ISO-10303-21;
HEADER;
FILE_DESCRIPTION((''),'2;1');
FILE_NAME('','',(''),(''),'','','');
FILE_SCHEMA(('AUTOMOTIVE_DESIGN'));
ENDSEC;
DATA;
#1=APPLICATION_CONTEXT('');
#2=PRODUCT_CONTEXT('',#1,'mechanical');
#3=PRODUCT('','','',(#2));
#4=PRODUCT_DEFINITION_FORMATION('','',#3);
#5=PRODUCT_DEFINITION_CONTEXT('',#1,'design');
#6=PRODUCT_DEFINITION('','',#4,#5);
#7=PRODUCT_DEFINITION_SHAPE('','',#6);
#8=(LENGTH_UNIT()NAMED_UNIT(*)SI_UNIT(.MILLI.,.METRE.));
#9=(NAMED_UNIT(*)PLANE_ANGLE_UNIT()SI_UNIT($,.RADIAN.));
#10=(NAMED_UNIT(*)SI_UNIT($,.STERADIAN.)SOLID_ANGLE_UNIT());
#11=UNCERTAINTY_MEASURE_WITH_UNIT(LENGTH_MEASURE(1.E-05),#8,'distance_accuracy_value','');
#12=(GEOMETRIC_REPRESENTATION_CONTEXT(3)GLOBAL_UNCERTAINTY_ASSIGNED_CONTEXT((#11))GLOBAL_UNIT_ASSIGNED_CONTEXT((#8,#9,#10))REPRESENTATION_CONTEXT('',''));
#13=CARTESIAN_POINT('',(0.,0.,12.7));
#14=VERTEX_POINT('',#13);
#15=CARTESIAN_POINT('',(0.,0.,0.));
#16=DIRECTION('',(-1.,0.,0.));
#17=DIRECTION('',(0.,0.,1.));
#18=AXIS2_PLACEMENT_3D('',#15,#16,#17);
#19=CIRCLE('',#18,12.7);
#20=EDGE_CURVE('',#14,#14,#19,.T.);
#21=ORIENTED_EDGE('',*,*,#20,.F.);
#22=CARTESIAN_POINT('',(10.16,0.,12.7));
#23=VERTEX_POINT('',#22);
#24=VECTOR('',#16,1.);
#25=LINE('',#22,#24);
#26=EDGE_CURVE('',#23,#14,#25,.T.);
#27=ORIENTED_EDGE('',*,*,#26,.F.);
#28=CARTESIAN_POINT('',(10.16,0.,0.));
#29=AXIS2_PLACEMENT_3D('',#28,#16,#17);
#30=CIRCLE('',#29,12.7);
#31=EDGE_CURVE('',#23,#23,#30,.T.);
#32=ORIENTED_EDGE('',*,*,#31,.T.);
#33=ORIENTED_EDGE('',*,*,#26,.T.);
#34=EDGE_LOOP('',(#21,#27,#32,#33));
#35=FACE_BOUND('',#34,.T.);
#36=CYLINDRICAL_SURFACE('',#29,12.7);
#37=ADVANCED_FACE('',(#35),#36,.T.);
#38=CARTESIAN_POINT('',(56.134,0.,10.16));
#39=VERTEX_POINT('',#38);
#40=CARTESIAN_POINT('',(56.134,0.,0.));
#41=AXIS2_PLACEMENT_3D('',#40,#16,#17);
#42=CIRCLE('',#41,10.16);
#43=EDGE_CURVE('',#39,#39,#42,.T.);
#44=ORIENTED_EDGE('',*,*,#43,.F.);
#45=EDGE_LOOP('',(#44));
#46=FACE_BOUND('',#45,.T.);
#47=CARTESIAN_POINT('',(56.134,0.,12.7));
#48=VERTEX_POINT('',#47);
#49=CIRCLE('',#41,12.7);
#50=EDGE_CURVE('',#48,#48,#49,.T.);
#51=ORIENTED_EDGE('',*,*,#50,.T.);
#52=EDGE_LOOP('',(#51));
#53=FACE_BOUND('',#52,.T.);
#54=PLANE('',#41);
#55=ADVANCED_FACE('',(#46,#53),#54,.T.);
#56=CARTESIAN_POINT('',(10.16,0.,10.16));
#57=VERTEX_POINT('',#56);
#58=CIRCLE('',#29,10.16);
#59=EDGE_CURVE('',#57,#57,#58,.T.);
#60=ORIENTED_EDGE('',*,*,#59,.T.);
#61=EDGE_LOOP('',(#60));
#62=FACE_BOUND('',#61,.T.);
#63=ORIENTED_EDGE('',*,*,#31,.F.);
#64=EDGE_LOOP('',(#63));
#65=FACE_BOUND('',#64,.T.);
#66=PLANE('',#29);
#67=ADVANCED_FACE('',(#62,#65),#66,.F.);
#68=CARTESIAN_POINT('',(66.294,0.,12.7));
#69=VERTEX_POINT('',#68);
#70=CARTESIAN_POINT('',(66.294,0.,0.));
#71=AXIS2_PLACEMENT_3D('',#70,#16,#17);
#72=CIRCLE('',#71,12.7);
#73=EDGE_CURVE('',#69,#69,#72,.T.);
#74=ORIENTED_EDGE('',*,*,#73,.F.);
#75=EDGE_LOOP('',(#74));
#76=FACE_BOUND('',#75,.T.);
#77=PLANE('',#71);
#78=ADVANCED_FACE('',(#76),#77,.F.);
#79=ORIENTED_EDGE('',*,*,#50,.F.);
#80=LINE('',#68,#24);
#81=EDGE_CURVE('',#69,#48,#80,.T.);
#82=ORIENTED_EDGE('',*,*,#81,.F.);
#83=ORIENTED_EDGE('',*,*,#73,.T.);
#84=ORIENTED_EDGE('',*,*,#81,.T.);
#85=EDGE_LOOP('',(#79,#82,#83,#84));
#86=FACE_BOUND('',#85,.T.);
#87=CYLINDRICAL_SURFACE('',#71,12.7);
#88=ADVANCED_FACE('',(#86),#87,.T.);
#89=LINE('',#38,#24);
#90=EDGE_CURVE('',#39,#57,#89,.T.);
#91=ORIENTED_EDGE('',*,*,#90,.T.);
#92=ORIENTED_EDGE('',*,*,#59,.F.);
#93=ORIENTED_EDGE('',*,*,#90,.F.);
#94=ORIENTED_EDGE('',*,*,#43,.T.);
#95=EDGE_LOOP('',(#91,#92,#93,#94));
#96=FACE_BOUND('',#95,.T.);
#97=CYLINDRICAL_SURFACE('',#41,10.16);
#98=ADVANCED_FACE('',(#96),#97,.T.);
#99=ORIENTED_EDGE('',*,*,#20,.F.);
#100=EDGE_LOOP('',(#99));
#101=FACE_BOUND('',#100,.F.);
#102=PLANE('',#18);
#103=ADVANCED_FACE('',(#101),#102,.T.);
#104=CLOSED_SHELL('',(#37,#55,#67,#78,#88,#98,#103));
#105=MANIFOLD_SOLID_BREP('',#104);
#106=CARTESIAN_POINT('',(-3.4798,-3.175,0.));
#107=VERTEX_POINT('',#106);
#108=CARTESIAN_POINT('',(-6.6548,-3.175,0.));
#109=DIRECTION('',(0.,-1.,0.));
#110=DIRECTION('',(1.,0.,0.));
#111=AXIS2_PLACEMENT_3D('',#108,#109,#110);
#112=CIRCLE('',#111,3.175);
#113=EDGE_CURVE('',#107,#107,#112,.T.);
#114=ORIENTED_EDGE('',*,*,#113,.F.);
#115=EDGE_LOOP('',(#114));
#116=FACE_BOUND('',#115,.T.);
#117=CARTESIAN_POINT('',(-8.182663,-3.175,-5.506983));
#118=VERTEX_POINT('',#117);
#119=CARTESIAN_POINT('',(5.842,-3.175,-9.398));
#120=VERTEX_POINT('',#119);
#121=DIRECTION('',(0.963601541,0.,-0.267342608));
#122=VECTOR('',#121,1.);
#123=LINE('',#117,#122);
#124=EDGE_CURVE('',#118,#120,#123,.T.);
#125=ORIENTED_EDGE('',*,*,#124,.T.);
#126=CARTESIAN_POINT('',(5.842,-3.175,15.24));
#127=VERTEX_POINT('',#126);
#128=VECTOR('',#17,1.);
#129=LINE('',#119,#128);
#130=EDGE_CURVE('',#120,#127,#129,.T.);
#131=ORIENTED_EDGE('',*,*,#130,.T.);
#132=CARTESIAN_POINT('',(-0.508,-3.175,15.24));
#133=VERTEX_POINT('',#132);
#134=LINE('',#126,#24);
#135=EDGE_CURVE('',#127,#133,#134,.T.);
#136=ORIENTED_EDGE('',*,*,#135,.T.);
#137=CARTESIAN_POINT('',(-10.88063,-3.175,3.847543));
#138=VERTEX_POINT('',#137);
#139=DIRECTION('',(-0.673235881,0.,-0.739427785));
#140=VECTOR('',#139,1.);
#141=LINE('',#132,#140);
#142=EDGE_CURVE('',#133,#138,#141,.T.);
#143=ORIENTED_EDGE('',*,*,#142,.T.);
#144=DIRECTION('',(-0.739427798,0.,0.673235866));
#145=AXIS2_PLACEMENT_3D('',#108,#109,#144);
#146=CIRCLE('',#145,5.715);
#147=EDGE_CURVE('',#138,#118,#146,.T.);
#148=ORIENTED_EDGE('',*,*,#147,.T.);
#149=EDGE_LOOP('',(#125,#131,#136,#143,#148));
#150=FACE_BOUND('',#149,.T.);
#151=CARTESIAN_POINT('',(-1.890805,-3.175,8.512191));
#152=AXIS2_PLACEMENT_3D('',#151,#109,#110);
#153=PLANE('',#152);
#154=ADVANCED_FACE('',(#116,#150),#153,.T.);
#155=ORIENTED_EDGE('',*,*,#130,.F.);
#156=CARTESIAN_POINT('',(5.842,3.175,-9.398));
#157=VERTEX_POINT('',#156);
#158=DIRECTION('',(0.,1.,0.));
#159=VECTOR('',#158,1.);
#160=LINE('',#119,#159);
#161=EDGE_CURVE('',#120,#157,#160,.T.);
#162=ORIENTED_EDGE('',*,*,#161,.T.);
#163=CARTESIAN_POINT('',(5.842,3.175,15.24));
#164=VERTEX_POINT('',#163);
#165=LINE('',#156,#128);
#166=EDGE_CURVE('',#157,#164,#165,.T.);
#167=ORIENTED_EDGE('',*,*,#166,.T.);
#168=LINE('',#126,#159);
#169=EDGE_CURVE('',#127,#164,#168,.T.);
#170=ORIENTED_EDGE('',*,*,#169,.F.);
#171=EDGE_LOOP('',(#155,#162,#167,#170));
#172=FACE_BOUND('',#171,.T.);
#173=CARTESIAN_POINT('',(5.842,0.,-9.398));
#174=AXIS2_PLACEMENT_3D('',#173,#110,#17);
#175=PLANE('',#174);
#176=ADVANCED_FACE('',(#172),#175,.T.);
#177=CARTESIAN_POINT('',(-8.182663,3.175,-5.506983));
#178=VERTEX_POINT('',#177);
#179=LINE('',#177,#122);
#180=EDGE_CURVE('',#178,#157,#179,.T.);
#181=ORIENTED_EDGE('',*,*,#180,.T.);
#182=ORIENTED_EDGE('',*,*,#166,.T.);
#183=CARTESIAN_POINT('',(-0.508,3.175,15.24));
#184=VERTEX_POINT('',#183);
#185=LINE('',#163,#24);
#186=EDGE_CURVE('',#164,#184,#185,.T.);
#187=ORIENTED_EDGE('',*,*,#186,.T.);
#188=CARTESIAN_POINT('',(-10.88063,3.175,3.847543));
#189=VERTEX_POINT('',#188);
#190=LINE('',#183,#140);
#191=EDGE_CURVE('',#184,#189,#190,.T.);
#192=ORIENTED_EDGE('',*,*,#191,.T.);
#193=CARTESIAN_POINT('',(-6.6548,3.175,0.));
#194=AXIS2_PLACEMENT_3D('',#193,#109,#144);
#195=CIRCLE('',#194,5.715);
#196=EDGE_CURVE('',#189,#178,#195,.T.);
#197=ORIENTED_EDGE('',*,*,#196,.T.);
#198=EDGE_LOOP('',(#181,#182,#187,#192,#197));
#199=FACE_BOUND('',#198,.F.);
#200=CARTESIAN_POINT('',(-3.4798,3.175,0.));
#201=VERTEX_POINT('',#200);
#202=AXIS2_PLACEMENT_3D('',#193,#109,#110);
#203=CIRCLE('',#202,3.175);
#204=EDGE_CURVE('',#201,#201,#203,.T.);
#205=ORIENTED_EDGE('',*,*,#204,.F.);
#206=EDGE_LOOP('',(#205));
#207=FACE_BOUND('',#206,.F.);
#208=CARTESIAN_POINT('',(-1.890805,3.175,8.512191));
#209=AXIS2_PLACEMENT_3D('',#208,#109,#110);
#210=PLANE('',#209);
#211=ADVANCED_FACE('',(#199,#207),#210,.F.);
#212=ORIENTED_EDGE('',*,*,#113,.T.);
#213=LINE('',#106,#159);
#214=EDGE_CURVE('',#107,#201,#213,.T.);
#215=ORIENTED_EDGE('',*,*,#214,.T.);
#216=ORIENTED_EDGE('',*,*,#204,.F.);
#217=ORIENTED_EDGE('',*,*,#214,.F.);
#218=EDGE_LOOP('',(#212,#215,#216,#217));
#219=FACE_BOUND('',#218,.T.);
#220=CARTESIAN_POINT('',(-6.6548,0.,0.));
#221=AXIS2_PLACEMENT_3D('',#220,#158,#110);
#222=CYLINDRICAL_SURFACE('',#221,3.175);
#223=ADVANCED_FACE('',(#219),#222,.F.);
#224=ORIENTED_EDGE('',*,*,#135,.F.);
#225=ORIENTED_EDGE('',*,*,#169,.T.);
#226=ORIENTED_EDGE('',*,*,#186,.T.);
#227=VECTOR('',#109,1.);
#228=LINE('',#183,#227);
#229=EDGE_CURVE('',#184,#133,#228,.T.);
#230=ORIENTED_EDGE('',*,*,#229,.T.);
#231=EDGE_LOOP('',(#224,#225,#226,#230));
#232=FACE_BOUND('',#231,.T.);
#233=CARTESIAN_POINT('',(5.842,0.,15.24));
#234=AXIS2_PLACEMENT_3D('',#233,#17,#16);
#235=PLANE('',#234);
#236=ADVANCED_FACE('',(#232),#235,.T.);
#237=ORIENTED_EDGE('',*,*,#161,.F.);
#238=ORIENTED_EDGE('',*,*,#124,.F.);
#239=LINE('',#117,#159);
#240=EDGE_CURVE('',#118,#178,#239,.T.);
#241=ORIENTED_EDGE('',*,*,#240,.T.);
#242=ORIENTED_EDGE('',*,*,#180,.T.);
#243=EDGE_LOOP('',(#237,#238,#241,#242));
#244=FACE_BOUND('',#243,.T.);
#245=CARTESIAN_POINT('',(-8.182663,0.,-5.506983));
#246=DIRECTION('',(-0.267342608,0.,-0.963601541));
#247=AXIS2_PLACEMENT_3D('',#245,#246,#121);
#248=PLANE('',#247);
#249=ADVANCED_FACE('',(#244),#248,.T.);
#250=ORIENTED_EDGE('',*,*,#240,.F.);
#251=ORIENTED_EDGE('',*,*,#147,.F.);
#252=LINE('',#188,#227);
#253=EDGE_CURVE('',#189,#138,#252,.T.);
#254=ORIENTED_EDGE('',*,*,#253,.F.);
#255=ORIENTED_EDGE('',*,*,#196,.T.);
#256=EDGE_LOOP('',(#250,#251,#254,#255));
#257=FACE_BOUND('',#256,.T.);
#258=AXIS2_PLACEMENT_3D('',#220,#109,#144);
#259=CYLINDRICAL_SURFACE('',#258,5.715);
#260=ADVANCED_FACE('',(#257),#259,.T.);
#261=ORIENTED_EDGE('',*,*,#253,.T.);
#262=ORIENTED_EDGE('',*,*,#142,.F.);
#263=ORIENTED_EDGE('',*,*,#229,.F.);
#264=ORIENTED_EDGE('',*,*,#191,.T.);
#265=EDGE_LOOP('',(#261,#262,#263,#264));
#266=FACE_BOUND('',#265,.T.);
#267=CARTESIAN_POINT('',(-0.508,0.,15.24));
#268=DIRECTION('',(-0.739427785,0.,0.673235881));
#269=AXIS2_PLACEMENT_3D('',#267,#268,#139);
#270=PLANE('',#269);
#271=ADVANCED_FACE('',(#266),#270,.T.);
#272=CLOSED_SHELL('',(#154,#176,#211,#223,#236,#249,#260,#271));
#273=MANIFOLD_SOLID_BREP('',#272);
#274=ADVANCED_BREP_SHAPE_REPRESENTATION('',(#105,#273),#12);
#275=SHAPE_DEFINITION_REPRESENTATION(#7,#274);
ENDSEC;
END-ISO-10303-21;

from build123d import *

# Parameters (mm, degrees)
F0_W     = 5.842
F0_H     = 12.7
F0_R     = 3.175
F2_DEPTH = 3.175


with BuildPart() as f1:
    # F0 (on Front) → F1 (revolve)
    with BuildSketch(Plane.XZ):
        Polygon((5.842, 12.7), (5.842, 0), (66.294, 0), (66.294, 12.7), (56.134, 12.7), (56.134, 10.16), (10.16, 10.16), (10.16, 12.7), align=None)
        with Locations((2.921, 6.35)):
            Rectangle(F0_W, F0_H)
    revolve(axis=Axis((33.147, 0, 0), (-1, 0, 0)))


with BuildPart() as f2:
    # F0 (on Front) → F2 (new body, symmetric)
    with BuildSketch(Plane.XZ):
        with BuildLine():
            Line((-0.9398, 0), (0, 0))
            Line((0, 0), (0, 12.7))
            Line((0, 12.7), (5.842, 12.7))
            Line((5.842, 12.7), (5.842, 15.24))
            Line((5.842, 15.24), (-0.508, 15.24))
            Line((-0.508, 15.24), (-10.88063, 3.847543))
            ThreePointArc((-10.88063, 3.847543), (-4.591961, 5.329721), (-0.9398, 0))
        make_face()
        with Locations((2.921, 6.35)):
            Rectangle(F0_W, F0_H)
        with BuildLine():
            Line((5.842, 0), (0, 0))
            Line((0, 0), (-0.9398, 0))
            ThreePointArc((-0.9398, 0), (-3.195791, -4.549339), (-8.182663, -5.506983))
            Line((-8.182663, -5.506983), (5.842, -9.398))
            Line((5.842, -9.398), (5.842, 0))
        make_face()
        with BuildLine():
            ThreePointArc((-8.182663, -5.506983), (-3.195791, -4.549339), (-0.9398, 0))
            ThreePointArc((-0.9398, 0), (-4.591961, 5.329721), (-10.88063, 3.847543))
            ThreePointArc((-10.88063, 3.847543), (-12.145978, -1.583727), (-8.182663, -5.506983))
        make_face()
        with Locations((-6.6548, 0)):
            Circle(F0_R, mode=Mode.SUBTRACT)
    extrude(amount=F2_DEPTH, both=True)


solid = Compound([f1.part, f2.part])
